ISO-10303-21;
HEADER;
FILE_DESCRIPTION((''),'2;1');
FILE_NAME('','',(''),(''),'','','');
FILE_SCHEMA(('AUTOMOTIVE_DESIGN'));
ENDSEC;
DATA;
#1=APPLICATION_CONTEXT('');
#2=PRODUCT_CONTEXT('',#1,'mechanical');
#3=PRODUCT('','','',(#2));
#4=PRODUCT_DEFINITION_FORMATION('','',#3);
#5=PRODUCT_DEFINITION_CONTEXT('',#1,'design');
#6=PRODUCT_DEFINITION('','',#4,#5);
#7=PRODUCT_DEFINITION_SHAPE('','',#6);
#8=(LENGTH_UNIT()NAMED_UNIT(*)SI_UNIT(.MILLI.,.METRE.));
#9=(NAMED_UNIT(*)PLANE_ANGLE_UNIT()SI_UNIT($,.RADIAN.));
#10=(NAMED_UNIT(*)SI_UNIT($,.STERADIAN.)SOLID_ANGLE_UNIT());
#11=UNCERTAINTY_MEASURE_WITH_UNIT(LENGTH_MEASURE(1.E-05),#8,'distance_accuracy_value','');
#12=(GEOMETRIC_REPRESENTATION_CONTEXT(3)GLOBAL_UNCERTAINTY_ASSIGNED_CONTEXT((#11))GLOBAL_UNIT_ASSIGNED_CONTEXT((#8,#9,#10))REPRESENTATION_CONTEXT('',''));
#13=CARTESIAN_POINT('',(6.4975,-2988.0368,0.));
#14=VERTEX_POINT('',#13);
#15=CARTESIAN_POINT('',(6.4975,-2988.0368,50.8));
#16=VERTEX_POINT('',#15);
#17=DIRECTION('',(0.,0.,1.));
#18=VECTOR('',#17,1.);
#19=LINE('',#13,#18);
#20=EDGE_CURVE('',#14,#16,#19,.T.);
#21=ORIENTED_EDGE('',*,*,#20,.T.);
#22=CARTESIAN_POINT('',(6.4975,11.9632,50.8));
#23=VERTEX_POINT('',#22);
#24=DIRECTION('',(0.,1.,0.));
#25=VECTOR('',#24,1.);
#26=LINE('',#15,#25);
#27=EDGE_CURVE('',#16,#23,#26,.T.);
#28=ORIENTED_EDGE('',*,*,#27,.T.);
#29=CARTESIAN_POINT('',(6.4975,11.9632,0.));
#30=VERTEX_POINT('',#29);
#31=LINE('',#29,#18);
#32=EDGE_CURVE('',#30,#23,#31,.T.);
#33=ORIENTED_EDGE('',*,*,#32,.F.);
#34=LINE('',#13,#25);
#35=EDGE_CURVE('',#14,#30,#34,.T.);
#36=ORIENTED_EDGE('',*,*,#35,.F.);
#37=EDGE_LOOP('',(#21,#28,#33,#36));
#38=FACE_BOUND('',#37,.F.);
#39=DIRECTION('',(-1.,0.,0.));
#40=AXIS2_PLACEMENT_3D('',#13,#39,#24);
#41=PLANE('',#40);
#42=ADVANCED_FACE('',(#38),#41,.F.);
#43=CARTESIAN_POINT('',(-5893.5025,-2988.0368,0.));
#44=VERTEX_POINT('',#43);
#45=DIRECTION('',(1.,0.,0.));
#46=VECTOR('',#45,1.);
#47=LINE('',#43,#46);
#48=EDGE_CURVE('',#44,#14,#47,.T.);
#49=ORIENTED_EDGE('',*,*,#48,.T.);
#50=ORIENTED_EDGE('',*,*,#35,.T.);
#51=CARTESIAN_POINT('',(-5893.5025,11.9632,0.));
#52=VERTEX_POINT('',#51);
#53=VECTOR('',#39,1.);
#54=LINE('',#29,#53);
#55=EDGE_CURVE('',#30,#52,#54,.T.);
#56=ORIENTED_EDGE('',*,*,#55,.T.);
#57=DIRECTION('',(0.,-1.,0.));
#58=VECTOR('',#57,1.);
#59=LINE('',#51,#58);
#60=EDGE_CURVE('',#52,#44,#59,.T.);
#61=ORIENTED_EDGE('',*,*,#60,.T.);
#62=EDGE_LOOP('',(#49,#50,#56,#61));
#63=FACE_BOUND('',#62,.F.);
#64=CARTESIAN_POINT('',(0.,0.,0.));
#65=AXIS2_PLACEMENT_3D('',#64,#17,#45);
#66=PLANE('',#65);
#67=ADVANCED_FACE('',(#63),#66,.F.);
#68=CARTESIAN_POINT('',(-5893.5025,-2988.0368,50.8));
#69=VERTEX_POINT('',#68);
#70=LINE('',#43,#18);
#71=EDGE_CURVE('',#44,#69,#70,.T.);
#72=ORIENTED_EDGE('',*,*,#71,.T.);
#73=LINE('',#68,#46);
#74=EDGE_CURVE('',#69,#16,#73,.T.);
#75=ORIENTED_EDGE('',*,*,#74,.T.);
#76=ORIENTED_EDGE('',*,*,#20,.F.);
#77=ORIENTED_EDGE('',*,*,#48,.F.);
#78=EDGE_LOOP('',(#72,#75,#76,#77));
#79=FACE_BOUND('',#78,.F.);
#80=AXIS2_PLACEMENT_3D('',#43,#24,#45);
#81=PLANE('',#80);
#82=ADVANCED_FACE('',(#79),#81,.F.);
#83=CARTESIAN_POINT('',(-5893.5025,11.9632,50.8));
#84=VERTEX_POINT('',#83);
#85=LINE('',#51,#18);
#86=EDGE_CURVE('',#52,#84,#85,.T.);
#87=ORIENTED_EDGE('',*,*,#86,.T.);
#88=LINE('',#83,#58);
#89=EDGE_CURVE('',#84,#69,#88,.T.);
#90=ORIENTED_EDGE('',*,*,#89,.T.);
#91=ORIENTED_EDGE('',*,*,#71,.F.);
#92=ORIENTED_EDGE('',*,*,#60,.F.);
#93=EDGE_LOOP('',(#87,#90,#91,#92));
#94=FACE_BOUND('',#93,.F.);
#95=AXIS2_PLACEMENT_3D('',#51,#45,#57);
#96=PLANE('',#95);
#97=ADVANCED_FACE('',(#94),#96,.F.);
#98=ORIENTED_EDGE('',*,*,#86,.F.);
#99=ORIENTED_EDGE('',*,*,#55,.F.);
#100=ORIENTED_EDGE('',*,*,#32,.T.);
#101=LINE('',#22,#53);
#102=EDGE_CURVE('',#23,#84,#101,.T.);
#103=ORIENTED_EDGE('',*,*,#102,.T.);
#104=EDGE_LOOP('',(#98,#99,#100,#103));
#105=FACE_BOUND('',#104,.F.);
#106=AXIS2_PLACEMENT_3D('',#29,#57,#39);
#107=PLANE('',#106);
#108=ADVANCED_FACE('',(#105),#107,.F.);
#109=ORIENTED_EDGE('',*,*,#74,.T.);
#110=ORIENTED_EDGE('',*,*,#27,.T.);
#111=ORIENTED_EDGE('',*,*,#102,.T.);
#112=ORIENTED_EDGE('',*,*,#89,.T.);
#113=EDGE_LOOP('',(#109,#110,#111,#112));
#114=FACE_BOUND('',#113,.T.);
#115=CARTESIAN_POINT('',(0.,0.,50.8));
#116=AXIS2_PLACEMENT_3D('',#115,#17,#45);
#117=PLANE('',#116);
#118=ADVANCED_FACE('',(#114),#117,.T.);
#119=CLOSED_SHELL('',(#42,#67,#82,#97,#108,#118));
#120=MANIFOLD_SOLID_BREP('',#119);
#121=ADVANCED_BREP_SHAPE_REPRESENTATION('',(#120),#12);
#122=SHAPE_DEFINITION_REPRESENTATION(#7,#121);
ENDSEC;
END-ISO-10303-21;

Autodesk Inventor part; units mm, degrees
ref_plane "YZ Plane" through (0, 0, 0) normal (1, 0, 0) x (0, 1, 0)
ref_plane "XZ Plane" through (0, 0, 0) normal (0, 1, 0) x (-1, 0, 0)
ref_plane "XY Plane" through (0, 0, 0) normal (0, 0, 1) x (1, 0, 0)
sketch "Sketch1" plane through (0, 0, 0) normal (0, 0, 1) x (1, 0, 0)
  line L0 (-5893.5025, -2988.0368) -> (6.4975, -2988.0368)
  line L1 (6.4975, -2988.0368) -> (6.4975, 11.9632)
  line L2 (6.4975, 11.9632) -> (-5893.5025, 11.9632)
  line L3 (-5893.5025, 11.9632) -> (-5893.5025, -2988.0368)
  point P0 (0, 0)
  dimension "Largo" = 5900
  dimension "Alto" = 3000
extrude "Extrusion1" add sketch "Sketch1" along normal blind 50.8
equation "\"Largo\" = PL_N"
equation "\"Alto\" = PA_N"
equation "\"Espesor\" = PE_N"
equation "\"PL_N\" = 5900"
equation "\"PA_N\" = 3000"
equation "\"PE_N\" = 50.8"
equation "\"PE_S\" = 50.8"
equation "\"PE_EO\" = 50.8"
equation "\"T_E\" = 50.8"
equation "\"lon_ve\" = 512.5"
equation "\"n_a\" = 3"
equation "\"t_a\" = 19.05"
equation "\"d_a\" = 128.125"
equation "\"lon_ho\" = 749"
equation "\"d_bor\" = 59.92"
equation "\"lon_gui\" = 187.25"
equation "\"esp_gui\" = 461.25"
equation "\"lon_ve2\" = 498.475"
equation "\"n_a2\" = 3"
equation "\"t_a2\" = 124.61875"
equation "\"d_a2\" = 124.61875"
equation "\"lon_ho2\" = 933.45"
equation "\"d_bor2\" = 74.676"
equation "\"lon_gui2\" = 233.3625"
equation "\"esp_gui2\" = 448.6275"
equation "\"UE_L\" = 2111"
equation "\"UE_A\" = 1025"
equation "\"UE_AN\" = 749"
equation "\"UC_L\" = 1314.45"
equation "\"UC_A\" = 996.95"
equation "\"UC_AN\" = 933.45"
equation "\"A_ET\" = 35"
equation "\"SEP_NS\" = 0"
equation "\"DSEG\" = 0"
equation "\"AEGEP_NS\" = 0"
equation "\"DNS\" = 749"
properties part number "Pared Norte"
